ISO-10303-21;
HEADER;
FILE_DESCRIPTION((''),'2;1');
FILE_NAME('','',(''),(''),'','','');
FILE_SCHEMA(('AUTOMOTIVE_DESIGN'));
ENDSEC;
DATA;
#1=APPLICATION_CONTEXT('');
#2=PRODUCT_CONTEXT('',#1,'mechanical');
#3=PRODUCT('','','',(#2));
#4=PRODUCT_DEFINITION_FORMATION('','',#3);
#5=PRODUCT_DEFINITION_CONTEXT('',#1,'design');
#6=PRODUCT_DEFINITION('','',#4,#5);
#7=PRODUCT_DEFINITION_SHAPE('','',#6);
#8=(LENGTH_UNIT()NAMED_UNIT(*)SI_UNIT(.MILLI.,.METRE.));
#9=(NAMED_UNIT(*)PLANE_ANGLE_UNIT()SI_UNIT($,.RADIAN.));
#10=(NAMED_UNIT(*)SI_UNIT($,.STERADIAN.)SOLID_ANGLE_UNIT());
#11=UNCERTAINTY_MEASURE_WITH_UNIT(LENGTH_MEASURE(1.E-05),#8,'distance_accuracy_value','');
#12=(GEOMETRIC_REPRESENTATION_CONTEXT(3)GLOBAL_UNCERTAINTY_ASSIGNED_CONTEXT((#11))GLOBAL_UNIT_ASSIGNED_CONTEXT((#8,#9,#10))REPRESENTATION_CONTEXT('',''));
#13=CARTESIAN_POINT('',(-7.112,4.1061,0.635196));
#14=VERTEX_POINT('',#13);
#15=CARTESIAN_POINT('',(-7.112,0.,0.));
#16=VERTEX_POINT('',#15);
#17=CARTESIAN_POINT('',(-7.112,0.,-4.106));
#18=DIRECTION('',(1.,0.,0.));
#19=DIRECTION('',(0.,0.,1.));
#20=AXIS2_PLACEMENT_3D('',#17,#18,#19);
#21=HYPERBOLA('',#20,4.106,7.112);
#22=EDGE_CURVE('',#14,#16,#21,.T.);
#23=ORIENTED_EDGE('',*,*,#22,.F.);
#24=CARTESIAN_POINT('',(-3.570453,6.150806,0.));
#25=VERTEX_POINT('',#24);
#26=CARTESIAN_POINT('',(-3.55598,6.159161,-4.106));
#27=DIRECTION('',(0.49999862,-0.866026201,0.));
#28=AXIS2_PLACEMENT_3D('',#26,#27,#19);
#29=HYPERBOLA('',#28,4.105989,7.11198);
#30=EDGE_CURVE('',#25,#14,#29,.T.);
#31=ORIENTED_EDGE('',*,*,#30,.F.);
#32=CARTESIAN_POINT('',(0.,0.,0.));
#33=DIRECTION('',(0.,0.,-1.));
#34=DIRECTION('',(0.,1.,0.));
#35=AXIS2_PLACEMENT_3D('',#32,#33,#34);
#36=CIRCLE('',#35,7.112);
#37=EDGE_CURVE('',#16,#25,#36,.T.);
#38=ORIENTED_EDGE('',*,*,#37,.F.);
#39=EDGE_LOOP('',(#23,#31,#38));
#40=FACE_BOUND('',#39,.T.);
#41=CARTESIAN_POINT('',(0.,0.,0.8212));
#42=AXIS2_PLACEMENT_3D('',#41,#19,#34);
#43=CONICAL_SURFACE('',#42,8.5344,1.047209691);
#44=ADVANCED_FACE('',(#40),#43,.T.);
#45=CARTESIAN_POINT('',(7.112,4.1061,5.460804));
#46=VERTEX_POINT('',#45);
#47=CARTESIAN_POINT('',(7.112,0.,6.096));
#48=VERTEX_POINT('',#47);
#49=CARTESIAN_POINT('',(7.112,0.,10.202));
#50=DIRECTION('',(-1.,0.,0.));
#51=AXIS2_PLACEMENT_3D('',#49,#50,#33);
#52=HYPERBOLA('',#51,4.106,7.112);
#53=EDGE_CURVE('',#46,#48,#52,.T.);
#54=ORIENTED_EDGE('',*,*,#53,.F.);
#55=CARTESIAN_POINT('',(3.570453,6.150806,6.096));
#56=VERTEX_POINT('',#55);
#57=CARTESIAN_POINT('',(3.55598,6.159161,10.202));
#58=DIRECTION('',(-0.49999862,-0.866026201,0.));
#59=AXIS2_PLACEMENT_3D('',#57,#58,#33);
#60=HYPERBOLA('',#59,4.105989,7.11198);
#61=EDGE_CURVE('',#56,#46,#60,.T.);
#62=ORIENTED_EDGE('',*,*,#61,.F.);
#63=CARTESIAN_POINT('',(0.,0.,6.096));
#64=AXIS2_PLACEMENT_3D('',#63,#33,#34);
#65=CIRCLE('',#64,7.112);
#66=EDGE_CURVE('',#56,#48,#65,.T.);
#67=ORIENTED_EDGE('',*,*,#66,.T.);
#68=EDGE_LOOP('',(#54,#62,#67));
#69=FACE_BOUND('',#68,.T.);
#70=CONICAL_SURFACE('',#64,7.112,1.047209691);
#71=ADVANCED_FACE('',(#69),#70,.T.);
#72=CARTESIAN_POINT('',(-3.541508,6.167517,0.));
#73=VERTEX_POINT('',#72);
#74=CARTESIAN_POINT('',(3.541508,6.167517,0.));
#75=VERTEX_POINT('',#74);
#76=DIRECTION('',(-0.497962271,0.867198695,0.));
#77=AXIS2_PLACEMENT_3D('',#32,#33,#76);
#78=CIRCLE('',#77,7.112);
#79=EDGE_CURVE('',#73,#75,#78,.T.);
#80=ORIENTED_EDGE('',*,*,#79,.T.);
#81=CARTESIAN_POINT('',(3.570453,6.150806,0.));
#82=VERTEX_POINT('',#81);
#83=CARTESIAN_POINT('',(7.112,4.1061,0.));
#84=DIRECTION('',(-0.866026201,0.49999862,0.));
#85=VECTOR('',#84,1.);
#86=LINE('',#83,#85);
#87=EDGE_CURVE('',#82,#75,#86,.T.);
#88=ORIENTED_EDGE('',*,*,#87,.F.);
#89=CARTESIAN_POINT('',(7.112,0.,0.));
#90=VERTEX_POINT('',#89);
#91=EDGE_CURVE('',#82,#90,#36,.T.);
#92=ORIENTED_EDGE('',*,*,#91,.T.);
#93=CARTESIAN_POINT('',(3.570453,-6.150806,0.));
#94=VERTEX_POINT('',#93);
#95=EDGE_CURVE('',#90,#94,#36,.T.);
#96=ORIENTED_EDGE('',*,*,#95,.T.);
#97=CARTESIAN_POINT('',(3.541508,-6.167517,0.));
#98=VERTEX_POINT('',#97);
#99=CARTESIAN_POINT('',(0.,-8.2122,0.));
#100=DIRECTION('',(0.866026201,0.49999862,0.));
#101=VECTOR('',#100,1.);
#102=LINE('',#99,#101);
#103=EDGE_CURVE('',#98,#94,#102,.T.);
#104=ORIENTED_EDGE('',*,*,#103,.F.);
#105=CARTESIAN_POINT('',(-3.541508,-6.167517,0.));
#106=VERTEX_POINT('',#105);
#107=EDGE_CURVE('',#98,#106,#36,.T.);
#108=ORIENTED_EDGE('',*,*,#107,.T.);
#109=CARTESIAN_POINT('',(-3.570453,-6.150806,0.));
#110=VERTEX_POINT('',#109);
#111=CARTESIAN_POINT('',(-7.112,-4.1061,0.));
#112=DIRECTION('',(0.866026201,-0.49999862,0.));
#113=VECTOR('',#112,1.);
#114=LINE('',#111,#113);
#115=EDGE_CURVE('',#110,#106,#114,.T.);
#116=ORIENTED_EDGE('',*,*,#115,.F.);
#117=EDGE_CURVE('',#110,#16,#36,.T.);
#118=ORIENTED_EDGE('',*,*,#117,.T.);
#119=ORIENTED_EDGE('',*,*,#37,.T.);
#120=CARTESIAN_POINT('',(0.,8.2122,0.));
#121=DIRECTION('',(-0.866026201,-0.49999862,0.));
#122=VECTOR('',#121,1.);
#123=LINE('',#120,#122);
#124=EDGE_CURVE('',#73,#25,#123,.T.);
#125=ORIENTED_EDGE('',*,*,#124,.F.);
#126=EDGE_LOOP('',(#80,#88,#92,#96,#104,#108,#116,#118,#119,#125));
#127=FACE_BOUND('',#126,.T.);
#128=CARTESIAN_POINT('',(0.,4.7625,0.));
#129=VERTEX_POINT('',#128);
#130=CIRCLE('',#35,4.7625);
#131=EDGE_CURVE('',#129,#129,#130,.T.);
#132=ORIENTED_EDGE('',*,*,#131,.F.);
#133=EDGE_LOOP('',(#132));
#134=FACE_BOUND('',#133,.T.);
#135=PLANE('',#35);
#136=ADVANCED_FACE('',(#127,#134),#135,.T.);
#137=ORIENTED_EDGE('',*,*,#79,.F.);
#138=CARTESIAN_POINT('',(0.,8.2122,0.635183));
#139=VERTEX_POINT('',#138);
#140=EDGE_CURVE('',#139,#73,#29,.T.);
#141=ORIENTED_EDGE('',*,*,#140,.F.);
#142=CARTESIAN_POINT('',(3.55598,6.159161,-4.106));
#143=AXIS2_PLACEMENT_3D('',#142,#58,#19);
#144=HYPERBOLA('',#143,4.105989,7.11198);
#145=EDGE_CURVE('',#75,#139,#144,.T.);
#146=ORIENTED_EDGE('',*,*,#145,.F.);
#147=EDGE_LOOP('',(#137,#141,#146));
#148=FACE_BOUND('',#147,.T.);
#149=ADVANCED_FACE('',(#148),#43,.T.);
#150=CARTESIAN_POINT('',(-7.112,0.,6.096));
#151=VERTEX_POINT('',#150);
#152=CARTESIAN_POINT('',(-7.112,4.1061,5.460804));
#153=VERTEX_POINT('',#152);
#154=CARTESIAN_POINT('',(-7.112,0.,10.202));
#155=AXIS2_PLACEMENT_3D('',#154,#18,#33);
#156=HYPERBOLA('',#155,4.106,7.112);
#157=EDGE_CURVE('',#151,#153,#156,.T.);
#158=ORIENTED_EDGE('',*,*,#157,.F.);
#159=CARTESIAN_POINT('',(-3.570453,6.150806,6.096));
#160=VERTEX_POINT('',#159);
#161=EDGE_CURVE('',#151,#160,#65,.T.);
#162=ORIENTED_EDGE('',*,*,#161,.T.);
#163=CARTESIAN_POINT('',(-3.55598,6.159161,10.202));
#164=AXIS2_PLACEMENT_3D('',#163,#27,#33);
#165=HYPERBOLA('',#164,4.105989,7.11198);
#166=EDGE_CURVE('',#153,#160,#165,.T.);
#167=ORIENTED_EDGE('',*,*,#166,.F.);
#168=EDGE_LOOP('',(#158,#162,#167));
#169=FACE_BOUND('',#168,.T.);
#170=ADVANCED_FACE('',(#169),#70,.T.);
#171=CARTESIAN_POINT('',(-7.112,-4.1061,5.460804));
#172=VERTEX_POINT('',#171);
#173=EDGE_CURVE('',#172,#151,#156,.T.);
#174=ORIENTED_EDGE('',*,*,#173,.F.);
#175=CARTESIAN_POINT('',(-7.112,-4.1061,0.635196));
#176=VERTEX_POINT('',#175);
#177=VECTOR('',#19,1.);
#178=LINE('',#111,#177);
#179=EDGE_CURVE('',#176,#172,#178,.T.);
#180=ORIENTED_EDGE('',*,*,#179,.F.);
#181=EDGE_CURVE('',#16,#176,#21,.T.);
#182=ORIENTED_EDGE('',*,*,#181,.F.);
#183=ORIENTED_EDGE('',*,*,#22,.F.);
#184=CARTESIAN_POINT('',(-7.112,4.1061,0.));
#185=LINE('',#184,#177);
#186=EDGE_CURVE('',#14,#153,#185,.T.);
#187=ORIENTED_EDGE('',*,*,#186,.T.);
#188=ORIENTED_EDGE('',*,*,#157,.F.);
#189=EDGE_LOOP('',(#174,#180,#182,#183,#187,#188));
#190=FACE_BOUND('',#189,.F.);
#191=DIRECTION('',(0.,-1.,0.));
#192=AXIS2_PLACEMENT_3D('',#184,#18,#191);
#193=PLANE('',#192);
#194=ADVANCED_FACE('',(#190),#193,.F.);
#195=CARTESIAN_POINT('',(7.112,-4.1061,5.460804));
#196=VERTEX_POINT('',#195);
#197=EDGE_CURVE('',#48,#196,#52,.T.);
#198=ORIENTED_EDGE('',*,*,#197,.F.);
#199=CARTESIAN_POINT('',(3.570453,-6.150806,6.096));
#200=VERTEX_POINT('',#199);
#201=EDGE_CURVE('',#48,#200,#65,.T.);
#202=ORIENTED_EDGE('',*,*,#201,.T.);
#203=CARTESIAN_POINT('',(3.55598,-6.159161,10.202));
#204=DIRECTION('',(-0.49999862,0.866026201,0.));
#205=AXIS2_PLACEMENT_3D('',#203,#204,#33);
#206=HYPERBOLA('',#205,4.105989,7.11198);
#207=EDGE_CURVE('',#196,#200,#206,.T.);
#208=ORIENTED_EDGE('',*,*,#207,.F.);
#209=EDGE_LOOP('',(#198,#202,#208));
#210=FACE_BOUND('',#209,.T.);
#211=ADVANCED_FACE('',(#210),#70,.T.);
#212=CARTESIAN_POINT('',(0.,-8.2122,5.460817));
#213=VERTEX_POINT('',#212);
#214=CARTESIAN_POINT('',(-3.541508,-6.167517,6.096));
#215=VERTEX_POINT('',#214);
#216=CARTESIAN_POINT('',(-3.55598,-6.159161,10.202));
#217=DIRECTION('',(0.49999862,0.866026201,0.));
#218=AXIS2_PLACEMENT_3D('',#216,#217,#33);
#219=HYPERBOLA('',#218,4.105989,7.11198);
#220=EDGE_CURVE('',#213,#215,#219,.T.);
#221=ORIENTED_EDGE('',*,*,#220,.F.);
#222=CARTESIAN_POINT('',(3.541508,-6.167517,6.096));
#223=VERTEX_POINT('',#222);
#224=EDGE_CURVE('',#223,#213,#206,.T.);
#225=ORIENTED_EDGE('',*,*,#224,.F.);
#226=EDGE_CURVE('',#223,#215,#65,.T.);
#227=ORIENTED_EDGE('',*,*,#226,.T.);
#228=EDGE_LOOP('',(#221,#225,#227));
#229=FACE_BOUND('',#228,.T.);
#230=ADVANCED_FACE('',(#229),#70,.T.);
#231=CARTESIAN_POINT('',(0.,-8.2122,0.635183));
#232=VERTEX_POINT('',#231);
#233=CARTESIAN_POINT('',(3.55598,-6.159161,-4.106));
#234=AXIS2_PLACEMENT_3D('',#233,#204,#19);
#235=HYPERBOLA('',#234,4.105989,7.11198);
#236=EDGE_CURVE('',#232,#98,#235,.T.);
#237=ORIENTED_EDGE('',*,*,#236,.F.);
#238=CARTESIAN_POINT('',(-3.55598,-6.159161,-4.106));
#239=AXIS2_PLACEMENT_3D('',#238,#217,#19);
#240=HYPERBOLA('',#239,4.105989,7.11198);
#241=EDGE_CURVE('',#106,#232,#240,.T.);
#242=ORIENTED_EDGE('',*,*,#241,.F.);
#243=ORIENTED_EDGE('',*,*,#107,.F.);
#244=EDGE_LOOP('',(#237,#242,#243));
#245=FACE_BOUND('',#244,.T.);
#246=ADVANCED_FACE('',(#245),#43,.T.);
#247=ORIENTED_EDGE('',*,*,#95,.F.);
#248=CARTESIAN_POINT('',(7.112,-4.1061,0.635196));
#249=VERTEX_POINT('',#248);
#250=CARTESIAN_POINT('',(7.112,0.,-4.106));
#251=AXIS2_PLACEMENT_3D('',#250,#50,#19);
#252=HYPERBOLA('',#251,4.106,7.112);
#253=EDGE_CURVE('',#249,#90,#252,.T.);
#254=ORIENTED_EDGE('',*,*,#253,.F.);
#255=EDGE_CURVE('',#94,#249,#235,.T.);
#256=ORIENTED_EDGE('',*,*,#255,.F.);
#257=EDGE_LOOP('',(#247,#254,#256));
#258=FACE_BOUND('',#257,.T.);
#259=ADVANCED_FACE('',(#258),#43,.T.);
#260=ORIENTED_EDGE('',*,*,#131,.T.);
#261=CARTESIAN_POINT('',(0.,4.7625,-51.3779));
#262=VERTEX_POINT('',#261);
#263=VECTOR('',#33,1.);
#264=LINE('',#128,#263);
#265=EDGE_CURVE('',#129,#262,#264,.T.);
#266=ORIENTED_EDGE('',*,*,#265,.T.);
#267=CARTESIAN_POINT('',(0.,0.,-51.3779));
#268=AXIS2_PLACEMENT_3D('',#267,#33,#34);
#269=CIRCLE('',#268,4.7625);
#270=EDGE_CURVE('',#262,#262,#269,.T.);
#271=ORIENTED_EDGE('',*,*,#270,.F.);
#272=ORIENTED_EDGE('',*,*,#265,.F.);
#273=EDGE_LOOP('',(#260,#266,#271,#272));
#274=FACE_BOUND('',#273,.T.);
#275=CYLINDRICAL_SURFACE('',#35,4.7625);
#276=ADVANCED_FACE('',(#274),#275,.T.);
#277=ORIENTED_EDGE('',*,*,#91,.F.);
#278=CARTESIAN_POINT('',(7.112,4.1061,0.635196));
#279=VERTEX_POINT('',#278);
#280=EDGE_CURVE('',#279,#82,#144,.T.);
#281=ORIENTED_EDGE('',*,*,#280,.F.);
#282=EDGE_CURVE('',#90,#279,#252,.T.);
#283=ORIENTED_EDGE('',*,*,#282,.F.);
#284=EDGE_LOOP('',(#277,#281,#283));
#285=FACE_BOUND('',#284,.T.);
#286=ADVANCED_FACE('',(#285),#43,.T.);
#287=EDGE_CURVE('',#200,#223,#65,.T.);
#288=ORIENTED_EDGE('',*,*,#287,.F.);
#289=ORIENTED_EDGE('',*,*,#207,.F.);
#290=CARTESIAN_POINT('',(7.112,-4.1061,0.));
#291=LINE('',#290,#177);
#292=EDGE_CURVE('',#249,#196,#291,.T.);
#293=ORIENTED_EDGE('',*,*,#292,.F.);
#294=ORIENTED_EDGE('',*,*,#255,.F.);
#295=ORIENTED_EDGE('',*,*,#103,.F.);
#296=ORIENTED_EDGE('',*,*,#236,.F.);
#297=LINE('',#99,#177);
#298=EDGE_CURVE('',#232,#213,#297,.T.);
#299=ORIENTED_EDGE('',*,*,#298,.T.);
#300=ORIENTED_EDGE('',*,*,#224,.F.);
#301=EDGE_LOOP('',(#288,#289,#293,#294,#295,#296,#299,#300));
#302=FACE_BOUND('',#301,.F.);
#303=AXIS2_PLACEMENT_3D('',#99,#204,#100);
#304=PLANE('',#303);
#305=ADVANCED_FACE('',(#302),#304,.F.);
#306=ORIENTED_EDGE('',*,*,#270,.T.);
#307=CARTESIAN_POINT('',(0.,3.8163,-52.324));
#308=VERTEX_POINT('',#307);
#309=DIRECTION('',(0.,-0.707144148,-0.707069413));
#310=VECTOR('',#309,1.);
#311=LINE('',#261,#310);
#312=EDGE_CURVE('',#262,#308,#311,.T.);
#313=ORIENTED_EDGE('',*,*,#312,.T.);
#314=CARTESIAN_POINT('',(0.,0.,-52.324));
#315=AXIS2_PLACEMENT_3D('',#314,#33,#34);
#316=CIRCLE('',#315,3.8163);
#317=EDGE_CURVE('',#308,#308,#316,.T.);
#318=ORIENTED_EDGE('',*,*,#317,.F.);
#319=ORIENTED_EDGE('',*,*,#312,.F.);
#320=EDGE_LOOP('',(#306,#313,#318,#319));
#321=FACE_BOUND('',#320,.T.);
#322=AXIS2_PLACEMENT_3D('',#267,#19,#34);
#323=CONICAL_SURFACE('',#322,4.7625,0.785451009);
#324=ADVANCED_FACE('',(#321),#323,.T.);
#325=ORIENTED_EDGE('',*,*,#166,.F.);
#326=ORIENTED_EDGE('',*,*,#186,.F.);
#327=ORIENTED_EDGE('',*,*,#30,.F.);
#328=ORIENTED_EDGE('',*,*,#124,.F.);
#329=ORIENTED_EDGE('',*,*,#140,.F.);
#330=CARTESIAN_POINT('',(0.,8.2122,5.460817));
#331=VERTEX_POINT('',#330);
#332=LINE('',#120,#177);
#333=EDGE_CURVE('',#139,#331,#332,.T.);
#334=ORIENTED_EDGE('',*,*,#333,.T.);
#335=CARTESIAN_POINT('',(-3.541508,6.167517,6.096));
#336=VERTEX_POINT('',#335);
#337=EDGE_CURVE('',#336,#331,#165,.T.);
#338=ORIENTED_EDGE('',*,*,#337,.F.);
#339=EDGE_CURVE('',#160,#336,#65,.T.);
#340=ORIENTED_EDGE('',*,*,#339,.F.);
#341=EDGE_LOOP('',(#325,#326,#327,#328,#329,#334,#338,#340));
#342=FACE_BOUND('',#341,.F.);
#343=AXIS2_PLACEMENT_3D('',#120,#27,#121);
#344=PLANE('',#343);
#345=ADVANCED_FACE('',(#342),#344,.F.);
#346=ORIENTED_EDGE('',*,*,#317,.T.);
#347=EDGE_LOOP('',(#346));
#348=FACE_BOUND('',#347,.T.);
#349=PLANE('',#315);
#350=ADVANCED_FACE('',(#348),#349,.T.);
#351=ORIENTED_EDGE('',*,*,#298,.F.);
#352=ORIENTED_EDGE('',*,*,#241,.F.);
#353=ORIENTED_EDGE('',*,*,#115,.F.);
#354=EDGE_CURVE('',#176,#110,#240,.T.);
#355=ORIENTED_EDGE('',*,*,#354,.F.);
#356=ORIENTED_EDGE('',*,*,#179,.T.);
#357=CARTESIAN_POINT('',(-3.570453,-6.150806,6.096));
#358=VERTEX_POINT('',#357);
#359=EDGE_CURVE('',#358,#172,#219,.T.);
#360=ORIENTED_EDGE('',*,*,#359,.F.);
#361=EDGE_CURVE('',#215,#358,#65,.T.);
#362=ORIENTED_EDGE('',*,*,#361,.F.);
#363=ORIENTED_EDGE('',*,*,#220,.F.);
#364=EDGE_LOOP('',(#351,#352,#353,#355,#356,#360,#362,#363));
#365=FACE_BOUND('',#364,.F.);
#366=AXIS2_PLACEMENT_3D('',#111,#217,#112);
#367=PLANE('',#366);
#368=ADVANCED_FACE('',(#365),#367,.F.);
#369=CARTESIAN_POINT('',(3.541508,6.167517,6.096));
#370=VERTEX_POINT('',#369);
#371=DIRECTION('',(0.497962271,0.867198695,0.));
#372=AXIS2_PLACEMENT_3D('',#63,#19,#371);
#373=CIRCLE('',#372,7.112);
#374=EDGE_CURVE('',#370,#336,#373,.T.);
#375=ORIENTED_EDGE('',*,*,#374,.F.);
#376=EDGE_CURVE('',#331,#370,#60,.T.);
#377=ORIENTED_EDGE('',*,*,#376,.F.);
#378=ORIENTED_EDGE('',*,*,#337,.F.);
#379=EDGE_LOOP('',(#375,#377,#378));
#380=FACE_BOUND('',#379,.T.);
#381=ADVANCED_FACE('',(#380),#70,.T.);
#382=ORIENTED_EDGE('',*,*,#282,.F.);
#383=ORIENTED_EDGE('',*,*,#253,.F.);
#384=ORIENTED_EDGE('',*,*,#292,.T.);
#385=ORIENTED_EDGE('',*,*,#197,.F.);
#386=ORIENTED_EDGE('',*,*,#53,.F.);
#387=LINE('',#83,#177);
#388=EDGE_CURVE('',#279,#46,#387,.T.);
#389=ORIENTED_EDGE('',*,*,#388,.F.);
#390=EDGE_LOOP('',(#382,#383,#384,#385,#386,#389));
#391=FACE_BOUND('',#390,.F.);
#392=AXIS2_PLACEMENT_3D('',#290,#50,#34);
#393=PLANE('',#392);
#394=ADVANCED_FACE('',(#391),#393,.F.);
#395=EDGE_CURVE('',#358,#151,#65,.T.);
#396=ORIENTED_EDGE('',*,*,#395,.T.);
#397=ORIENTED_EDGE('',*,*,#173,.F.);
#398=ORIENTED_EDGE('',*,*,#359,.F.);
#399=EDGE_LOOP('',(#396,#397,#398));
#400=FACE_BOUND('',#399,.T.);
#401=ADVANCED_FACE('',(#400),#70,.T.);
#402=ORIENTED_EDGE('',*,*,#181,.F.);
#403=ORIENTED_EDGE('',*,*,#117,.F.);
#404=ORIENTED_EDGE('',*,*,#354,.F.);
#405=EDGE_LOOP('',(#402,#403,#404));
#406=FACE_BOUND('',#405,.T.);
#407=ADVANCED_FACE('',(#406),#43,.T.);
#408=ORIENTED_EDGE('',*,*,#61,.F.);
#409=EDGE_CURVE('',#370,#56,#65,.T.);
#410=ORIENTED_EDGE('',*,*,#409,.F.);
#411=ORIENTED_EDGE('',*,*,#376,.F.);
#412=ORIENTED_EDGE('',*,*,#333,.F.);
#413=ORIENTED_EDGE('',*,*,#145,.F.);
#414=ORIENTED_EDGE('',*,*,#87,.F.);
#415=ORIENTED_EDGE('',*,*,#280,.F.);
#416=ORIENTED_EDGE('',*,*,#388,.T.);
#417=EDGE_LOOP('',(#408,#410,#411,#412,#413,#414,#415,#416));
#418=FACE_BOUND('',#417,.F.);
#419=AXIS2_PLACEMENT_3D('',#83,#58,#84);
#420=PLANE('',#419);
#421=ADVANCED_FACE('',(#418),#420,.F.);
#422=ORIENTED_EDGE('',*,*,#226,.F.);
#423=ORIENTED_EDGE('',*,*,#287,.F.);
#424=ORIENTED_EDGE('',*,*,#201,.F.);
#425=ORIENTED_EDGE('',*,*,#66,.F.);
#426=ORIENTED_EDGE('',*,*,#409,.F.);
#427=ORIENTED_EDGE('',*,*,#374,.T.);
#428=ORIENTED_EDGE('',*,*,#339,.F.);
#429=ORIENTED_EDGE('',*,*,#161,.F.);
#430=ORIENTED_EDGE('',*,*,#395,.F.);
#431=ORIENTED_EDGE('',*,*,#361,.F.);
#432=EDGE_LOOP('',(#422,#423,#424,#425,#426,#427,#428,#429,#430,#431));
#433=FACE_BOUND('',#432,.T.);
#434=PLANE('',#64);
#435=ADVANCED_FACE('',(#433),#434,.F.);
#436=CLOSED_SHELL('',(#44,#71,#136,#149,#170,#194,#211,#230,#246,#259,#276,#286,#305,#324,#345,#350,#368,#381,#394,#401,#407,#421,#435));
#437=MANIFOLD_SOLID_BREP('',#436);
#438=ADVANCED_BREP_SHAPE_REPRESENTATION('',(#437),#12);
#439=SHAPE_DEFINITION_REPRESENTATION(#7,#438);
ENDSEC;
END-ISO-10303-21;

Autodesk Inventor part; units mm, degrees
sketch "Sketch_2" plane through (0, 0, 0) normal (1, 0, 0) x (0, 1, 0)
  line L0 (0, -52.324) -> (0, 6.096)
  line L1 (0, 6.096) -> (7.112, 6.096)
  line L2 (7.112, 6.096) -> (8.5344, 5.2748)
  line L3 (8.5344, 5.2748) -> (8.5344, 0.8212)
  line L4 (8.5344, 0.8212) -> (7.112, 0)
  line L5 (7.112, 0) -> (4.7625, 0)
  line L6 (4.7625, 0) -> (4.7625, -51.3779)
  line L7 (4.7625, -51.3779) -> (3.8163, -52.324)
  line L8 (3.8163, -52.324) -> (0, -52.324)
  line L9 (0, -52.324) -> (0, 6.096)
revolve "Revolution1" add sketch "Sketch_2" angle 360 about axis through (0, 0, -52.324) along (0, 0, -1)
thread "Thread1" size "3/8-16 UNC" class "2A" standard "ANSI Unified Screw Threads" length 16.8338
sketch "Sketch_5" plane through (0, 0, 0) normal (0, 0, 1) x (1, 0, 0)
  circle A0 centre (0, 0) radius 12.7
  line L0 (-7.112, -4.1061) -> (0, -8.2122)
  line L1 (0, -8.2122) -> (7.112, -4.1061)
  line L2 (7.112, -4.1061) -> (7.112, 4.1061)
  line L3 (7.112, 4.1061) -> (0, 8.2122)
  line L4 (0, 8.2122) -> (-7.112, 4.1061)
  line L5 (-7.112, 4.1061) -> (-7.112, -4.1061)
extrude "Extrusion1" cut sketch "Sketch_5" along normal blind 25.4
ref_plane "axle_XY" through (0, 0, 0) normal (0, 0, -1) x (1, 0, 0)
ref_plane "axle_YZ" through (0, 0, 0) normal (1, 0, 0) x (0, -1, 0)
ref_plane "axle_ZX" through (0, 0, 0) normal (0, -1, 0) x (0, 0, -1)
properties part number "2.05456-A"
